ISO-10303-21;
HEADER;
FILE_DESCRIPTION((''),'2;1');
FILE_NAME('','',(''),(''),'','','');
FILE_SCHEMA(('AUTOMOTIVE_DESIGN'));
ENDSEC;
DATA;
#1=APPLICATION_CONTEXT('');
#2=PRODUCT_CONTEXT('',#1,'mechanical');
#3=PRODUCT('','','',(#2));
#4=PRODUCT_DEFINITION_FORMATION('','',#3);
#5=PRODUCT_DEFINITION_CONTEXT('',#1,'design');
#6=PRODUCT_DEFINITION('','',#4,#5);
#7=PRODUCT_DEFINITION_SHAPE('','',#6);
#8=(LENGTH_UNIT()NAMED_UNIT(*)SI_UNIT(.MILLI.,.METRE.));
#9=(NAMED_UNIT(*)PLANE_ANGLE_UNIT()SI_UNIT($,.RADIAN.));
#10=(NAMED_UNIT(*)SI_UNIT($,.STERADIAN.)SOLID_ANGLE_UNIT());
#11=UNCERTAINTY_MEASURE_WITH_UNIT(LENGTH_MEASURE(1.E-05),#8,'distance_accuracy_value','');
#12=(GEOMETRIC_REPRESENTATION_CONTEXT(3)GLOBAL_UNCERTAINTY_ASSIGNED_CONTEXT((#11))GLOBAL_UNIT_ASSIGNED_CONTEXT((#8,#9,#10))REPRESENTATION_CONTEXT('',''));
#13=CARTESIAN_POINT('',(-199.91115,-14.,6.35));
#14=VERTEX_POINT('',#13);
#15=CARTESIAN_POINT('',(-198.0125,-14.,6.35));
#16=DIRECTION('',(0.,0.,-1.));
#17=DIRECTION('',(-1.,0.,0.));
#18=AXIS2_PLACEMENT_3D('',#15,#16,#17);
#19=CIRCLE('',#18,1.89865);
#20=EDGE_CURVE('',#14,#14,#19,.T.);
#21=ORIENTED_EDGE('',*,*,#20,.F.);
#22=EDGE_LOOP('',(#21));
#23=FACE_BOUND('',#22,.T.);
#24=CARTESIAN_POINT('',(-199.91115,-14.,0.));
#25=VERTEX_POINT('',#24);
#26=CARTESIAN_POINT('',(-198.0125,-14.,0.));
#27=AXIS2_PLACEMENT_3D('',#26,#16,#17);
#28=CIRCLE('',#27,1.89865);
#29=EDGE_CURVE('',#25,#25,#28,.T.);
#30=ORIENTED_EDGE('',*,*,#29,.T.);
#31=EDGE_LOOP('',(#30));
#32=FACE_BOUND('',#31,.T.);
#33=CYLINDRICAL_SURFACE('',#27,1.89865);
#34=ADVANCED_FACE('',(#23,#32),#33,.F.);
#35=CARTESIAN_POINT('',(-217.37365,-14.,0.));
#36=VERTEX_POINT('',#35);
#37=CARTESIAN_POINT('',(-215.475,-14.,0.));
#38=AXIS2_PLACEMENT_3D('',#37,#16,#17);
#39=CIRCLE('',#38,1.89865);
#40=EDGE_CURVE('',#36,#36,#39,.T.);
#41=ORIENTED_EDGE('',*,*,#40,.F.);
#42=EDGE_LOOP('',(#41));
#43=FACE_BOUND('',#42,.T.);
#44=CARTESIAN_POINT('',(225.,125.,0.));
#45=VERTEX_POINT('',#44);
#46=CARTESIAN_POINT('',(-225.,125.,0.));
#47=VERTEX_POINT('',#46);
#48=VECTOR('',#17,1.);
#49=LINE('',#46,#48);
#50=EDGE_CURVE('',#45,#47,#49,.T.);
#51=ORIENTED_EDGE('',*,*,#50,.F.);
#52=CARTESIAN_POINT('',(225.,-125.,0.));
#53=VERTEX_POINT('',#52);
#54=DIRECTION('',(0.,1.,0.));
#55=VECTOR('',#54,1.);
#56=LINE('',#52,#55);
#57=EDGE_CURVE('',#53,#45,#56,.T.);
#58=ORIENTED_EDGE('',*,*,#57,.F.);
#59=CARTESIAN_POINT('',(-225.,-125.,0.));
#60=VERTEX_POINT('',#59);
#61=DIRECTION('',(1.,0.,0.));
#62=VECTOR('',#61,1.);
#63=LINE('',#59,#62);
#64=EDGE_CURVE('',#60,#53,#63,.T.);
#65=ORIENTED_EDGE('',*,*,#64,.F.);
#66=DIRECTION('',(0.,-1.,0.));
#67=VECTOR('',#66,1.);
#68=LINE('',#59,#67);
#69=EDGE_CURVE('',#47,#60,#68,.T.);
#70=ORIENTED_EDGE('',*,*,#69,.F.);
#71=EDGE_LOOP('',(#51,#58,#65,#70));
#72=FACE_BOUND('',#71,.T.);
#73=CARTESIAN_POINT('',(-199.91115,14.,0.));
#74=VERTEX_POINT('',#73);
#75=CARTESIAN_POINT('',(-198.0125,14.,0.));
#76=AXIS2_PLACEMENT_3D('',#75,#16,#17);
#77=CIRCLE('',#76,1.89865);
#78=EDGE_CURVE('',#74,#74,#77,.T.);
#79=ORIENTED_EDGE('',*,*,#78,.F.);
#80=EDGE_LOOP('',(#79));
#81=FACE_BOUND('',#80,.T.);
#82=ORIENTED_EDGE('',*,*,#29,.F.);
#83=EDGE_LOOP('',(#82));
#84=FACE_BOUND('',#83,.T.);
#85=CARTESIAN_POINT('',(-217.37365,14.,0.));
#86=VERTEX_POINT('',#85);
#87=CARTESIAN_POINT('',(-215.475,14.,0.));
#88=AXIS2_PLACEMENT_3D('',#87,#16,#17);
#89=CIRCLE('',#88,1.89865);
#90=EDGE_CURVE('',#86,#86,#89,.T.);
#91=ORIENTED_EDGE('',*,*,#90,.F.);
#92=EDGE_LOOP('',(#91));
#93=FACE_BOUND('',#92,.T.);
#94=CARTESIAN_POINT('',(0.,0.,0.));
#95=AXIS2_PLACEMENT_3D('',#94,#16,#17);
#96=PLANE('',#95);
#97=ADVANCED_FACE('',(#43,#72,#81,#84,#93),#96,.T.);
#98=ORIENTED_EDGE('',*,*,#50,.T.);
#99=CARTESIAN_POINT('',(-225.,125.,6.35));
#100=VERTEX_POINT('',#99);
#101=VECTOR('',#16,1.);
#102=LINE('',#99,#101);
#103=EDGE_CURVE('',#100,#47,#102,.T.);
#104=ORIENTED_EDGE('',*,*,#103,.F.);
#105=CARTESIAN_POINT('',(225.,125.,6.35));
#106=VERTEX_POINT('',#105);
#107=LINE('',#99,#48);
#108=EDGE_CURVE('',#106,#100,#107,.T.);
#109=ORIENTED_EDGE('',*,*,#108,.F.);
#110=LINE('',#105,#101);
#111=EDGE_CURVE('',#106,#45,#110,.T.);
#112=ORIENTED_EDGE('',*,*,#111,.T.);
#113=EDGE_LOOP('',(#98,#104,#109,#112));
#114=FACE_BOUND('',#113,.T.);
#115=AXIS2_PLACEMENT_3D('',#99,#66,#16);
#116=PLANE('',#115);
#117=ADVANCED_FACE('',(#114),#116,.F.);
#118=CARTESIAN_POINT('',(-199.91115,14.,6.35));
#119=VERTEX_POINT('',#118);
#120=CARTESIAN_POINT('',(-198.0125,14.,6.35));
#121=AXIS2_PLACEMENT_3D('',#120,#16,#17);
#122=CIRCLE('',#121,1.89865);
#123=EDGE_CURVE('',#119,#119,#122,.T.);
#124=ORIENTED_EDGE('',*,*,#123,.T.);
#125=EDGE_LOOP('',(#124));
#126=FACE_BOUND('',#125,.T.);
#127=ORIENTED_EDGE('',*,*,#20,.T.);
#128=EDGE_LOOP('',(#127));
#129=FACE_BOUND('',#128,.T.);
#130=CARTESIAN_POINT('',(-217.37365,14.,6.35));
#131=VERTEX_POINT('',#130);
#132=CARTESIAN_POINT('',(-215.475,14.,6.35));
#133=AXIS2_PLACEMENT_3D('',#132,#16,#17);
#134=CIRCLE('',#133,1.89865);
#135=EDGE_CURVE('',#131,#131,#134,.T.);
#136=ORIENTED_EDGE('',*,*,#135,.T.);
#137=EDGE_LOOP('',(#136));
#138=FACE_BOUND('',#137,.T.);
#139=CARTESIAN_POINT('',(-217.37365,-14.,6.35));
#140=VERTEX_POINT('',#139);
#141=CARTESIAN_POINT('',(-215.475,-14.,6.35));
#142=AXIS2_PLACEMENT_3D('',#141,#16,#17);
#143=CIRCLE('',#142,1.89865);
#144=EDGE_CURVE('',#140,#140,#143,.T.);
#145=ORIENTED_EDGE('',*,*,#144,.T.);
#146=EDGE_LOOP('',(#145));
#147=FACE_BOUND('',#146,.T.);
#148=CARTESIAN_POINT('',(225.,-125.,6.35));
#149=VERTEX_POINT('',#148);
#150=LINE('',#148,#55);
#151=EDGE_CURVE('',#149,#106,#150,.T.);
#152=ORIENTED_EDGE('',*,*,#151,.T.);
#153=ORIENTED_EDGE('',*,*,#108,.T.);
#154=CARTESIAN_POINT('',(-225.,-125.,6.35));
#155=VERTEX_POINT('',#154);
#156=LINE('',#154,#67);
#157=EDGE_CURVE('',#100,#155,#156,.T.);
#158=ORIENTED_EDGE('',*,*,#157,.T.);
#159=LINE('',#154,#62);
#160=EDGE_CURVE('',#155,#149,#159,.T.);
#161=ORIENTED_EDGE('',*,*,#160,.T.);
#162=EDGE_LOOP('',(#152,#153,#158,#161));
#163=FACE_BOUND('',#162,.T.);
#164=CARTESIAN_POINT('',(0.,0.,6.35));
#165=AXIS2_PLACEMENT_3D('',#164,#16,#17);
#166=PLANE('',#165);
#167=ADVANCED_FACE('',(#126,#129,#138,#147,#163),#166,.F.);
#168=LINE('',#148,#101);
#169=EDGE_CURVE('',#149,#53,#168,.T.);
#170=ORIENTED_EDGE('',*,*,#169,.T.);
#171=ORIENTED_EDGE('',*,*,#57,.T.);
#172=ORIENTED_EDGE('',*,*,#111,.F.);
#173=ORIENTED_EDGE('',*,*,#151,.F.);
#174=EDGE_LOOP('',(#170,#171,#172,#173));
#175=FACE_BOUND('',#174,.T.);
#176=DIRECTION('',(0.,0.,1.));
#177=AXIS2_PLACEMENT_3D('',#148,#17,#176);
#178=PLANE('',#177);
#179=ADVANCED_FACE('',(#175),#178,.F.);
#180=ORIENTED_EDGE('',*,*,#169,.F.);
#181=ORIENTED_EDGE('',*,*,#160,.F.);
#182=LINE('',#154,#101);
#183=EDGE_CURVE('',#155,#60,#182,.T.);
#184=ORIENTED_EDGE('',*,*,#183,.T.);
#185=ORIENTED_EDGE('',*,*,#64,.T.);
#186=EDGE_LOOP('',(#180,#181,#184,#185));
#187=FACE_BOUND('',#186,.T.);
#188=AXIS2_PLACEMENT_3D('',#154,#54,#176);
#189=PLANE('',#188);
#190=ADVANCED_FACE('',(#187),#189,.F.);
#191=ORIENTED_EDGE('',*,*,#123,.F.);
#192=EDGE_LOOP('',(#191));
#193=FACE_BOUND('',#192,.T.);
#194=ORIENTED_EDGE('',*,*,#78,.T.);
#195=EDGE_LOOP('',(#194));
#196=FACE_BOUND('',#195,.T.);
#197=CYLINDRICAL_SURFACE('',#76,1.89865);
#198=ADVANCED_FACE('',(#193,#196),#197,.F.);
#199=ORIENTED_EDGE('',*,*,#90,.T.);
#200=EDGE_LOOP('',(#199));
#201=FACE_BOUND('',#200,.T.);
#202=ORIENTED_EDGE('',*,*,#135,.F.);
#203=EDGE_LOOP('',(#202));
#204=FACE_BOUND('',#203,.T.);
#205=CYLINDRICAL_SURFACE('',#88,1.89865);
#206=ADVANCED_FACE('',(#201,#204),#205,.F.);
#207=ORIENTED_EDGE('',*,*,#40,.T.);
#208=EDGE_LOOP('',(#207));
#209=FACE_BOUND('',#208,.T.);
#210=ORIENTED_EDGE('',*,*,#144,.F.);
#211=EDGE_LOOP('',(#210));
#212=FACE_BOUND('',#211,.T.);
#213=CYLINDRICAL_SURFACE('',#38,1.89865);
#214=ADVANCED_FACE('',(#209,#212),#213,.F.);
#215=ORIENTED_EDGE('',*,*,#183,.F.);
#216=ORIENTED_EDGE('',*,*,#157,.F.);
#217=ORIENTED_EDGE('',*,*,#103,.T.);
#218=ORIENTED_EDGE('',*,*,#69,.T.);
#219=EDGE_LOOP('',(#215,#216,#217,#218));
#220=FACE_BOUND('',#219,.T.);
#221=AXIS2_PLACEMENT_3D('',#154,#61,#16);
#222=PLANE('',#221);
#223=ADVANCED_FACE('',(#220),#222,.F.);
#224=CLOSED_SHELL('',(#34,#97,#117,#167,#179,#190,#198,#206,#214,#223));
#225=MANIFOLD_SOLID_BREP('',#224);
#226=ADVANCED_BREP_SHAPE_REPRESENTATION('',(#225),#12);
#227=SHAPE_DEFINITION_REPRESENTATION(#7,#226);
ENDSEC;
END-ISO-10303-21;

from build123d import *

# Parameters (mm, degrees)
SKETCH1_W             = 450
SKETCH1_H             = 250
BOSS_EXTRUDE1_DEPTH   = 6.35
F_6_CLEARANCE_HOLE2_D = 3.7973


with BuildPart() as part:
    # Sketch1 → Boss-Extrude1 (new body)
    with BuildSketch(Plane.XY):
        Rectangle(SKETCH1_W, SKETCH1_H)
    extrude(amount=BOSS_EXTRUDE1_DEPTH)

    # #6 Clearance Hole2 (through all)
    with Locations(Plane(origin=(0, 0, 0), x_dir=(-1, 0, 0), z_dir=(0, 0, -1))):
        with Locations((198.0125, 14), (215.475, 14), (198.0125, -14), (215.475, -14)):
            Hole(F_6_CLEARANCE_HOLE2_D / 2)


solid = part.part
